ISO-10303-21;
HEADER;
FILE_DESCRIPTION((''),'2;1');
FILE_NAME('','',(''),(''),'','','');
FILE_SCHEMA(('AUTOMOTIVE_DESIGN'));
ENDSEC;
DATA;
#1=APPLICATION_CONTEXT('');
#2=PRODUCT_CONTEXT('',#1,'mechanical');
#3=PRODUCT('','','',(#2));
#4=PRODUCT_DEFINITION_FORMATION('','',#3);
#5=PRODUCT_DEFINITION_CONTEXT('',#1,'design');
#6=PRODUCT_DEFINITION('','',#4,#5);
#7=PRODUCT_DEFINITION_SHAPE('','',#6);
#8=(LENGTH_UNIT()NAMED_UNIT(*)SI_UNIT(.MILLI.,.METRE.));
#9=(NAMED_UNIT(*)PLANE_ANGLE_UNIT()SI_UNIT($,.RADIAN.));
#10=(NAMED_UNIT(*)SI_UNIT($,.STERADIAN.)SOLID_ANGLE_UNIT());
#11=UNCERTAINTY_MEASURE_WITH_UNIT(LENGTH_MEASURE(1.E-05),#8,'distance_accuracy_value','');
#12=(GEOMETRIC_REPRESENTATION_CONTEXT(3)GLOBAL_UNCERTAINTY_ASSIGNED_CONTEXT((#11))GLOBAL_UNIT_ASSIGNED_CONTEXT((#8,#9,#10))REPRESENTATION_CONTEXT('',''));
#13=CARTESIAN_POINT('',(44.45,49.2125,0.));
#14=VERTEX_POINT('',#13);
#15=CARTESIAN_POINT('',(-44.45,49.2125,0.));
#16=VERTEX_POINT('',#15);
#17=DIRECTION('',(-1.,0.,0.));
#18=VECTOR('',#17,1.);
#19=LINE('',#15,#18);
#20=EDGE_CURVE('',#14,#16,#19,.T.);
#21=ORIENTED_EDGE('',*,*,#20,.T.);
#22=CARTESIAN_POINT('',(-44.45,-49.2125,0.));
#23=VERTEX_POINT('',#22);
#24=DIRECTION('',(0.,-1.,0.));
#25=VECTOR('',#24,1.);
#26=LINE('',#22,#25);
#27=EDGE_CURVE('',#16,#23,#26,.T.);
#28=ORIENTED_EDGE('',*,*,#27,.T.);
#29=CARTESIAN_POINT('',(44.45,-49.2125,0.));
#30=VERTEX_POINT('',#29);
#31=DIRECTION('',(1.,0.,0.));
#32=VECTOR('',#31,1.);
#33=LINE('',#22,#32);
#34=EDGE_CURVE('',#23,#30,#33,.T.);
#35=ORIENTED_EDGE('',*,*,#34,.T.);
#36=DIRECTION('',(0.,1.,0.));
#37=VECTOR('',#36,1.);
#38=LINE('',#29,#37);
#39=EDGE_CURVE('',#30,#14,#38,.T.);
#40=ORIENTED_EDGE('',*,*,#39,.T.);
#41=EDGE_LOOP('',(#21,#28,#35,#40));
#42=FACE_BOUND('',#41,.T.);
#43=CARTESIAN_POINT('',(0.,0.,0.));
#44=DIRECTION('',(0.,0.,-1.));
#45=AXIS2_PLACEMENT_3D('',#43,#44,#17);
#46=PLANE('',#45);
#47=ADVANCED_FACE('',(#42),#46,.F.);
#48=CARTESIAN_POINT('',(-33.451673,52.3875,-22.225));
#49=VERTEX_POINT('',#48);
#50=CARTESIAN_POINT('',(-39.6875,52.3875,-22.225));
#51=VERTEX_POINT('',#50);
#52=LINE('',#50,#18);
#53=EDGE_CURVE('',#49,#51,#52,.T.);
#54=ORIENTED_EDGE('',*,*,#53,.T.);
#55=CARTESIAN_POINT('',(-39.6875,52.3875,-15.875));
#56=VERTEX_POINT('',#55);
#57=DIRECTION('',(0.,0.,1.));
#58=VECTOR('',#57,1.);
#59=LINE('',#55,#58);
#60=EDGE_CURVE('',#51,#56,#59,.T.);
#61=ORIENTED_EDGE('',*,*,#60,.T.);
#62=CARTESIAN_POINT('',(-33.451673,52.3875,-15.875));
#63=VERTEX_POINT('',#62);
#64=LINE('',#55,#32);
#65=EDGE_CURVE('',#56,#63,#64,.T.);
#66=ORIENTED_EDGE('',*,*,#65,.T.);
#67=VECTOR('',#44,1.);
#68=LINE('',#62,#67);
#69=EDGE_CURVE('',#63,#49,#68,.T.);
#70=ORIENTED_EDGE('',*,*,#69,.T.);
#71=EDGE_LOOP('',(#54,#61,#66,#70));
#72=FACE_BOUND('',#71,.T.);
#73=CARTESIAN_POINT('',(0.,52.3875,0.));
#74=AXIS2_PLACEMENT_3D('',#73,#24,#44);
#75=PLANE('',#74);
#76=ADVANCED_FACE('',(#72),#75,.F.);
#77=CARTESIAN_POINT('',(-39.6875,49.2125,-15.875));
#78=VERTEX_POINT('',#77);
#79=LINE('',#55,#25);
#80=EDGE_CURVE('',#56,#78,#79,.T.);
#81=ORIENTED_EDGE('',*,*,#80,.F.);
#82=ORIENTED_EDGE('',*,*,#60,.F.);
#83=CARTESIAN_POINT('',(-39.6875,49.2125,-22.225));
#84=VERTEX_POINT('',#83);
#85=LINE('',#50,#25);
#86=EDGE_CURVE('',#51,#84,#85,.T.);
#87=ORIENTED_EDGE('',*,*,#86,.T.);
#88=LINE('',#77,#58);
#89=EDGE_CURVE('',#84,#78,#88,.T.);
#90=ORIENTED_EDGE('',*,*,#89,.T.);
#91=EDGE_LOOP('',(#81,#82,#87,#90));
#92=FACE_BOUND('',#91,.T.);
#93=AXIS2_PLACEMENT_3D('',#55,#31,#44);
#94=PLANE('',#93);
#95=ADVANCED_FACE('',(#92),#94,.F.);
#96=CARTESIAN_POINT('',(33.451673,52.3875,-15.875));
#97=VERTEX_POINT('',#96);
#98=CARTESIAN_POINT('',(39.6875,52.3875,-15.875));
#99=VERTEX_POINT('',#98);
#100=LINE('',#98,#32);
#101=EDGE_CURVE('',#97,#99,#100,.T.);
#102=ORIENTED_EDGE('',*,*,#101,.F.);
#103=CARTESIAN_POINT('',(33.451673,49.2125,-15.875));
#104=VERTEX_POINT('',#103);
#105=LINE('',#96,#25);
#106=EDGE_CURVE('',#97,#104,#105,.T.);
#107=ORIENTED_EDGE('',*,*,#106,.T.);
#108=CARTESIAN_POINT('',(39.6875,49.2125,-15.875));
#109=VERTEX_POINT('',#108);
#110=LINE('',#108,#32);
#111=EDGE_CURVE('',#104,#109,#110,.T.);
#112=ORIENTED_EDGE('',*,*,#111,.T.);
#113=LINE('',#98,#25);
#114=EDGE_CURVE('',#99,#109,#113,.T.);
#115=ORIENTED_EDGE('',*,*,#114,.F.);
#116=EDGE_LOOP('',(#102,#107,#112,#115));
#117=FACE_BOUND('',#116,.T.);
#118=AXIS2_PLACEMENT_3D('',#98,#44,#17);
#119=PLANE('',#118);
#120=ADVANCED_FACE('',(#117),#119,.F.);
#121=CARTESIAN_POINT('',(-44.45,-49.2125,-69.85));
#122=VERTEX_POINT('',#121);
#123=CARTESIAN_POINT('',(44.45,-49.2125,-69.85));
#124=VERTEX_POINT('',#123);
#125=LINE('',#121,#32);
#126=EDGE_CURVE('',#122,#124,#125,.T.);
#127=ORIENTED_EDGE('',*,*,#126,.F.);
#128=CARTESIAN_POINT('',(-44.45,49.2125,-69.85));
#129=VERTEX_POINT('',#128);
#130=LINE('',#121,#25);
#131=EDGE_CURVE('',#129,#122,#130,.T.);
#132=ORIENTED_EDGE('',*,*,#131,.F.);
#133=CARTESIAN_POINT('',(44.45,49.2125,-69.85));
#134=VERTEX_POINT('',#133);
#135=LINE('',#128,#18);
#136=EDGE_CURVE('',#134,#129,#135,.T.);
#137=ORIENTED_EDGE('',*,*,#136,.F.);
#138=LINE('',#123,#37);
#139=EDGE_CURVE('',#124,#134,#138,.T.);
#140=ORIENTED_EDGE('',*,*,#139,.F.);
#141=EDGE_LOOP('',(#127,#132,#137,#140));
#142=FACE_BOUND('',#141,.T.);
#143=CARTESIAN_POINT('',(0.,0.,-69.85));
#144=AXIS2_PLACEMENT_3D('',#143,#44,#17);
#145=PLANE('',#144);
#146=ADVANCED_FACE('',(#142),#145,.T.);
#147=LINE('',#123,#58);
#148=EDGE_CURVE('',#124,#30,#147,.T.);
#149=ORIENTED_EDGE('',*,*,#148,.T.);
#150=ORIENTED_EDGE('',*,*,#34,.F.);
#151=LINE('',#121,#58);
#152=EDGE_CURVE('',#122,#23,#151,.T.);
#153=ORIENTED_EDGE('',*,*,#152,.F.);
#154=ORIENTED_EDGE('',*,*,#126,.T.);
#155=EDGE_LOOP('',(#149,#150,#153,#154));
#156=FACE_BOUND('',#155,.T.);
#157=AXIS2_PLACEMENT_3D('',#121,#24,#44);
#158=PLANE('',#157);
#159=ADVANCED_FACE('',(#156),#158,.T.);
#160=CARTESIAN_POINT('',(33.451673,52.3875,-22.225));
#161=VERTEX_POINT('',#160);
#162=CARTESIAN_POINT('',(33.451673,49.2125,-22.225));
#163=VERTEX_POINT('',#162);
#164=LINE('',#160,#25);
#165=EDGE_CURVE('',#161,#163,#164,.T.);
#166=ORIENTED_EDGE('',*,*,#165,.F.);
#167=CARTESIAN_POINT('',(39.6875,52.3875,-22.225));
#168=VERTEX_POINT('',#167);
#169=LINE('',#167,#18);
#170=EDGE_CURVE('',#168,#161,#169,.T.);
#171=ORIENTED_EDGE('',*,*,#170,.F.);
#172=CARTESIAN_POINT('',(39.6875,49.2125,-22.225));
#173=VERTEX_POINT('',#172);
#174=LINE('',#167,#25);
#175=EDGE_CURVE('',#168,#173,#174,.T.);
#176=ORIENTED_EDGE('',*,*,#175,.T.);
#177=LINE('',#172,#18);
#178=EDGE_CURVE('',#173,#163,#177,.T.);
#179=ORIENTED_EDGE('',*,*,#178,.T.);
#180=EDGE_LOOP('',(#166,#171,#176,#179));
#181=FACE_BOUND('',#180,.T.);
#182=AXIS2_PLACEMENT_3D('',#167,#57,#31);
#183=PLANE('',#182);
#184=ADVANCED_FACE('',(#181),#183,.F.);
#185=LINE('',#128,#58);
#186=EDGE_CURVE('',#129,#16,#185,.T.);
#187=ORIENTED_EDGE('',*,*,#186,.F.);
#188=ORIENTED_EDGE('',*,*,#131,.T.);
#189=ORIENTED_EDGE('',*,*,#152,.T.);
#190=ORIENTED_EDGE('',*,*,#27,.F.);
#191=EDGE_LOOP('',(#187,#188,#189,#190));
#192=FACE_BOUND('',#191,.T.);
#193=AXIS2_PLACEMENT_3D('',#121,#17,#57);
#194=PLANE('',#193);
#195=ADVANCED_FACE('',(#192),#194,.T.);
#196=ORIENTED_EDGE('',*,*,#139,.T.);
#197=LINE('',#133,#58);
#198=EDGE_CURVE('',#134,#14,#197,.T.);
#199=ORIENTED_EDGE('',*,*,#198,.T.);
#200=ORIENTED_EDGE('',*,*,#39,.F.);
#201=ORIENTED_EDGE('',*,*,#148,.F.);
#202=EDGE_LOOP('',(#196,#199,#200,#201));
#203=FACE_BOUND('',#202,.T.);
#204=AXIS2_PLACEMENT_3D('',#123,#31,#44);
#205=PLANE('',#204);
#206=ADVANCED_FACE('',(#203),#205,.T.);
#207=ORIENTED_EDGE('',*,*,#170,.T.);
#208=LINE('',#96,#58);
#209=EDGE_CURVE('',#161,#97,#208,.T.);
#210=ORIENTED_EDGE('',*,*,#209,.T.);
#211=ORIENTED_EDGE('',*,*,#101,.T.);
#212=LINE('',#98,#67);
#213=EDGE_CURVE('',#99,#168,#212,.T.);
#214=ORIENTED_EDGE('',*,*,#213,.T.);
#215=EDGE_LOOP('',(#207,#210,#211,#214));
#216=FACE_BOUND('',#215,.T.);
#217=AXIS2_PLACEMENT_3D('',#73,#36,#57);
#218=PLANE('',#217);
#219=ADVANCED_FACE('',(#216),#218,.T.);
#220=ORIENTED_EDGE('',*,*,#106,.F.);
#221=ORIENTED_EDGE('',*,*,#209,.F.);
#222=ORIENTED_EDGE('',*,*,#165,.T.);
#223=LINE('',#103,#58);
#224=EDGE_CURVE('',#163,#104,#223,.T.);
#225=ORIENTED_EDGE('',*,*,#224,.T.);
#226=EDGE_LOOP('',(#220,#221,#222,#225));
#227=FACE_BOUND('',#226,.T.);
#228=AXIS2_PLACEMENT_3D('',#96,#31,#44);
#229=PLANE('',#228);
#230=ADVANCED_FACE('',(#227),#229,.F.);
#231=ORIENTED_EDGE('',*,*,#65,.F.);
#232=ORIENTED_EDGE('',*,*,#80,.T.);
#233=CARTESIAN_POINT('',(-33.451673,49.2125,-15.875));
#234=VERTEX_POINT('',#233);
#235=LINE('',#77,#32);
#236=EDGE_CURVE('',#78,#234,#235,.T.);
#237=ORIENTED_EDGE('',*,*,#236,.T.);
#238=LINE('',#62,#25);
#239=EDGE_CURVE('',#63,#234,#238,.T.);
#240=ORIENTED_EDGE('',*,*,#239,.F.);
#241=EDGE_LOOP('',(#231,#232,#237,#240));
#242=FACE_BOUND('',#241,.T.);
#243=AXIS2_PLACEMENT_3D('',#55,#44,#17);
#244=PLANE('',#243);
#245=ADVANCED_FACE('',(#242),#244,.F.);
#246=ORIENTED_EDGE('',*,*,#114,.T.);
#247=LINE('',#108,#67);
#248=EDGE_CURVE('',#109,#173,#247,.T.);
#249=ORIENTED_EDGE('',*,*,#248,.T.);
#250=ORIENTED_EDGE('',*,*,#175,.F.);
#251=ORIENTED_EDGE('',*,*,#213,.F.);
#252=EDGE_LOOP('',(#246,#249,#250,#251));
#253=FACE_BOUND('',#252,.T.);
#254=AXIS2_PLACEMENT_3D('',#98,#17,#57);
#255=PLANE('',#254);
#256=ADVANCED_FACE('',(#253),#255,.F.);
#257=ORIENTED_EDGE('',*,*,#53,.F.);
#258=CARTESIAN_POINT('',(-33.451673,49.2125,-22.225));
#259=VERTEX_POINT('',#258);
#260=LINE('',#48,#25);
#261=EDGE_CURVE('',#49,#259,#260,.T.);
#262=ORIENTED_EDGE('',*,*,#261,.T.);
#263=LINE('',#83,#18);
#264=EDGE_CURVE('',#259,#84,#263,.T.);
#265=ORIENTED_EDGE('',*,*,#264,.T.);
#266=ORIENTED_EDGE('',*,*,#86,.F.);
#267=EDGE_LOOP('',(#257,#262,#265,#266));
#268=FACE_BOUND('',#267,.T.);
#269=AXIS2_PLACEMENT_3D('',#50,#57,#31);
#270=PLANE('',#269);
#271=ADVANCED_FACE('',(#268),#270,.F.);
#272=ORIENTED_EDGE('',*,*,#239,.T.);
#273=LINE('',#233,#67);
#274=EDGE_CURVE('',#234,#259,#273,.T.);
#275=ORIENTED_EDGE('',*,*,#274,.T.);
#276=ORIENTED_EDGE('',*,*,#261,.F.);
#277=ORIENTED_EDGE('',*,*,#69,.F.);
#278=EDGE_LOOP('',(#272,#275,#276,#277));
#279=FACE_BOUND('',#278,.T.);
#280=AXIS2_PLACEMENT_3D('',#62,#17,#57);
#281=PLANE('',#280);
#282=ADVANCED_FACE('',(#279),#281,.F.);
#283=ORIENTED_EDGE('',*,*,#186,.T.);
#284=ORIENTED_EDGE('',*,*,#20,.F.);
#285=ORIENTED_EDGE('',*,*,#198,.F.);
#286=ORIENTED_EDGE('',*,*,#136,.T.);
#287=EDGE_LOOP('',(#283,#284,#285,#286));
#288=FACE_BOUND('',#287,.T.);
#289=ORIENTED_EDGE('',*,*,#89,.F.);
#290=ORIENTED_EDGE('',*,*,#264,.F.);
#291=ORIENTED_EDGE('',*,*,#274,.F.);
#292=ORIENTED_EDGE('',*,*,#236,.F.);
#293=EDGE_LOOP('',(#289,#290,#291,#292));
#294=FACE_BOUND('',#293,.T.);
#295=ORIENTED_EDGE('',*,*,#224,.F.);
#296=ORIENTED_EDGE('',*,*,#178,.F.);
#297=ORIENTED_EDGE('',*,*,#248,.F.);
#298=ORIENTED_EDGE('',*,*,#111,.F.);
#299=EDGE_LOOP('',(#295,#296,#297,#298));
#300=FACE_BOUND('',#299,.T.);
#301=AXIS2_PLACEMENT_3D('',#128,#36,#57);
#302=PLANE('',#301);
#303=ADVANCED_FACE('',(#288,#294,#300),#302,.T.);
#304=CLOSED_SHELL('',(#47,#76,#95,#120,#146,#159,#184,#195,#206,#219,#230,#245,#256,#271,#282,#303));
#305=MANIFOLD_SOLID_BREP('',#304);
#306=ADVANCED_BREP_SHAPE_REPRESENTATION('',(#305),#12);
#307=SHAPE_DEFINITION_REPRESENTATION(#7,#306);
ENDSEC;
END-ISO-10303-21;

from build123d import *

# Parameters (mm, degrees)
SKETCH2_W           = 88.9
SKETCH2_H           = 98.425
BOSS_EXTRUDE1_DEPTH = 69.85
SKETCH3_W           = 6.235827492
SKETCH3_H           = 6.35
BOSS_EXTRUDE2_DEPTH = 3.175


with BuildPart() as part:
    # Sketch2 → Boss-Extrude1 (new body)
    with BuildSketch(Plane.XY):
        Rectangle(SKETCH2_W, SKETCH2_H)
    extrude(amount=-BOSS_EXTRUDE1_DEPTH)

    # Sketch3 → Boss-Extrude2 (add)
    with BuildSketch(Plane(origin=(0, 49.2125, 0), x_dir=(1, 0, 0), z_dir=(0, 1, 0))):
        with Locations((-36.569586254, 19.05)):
            Rectangle(SKETCH3_W, SKETCH3_H)
        with Locations((36.569586254, 19.05)):
            Rectangle(SKETCH3_W, SKETCH3_H)
    extrude(amount=BOSS_EXTRUDE2_DEPTH)


solid = part.part
